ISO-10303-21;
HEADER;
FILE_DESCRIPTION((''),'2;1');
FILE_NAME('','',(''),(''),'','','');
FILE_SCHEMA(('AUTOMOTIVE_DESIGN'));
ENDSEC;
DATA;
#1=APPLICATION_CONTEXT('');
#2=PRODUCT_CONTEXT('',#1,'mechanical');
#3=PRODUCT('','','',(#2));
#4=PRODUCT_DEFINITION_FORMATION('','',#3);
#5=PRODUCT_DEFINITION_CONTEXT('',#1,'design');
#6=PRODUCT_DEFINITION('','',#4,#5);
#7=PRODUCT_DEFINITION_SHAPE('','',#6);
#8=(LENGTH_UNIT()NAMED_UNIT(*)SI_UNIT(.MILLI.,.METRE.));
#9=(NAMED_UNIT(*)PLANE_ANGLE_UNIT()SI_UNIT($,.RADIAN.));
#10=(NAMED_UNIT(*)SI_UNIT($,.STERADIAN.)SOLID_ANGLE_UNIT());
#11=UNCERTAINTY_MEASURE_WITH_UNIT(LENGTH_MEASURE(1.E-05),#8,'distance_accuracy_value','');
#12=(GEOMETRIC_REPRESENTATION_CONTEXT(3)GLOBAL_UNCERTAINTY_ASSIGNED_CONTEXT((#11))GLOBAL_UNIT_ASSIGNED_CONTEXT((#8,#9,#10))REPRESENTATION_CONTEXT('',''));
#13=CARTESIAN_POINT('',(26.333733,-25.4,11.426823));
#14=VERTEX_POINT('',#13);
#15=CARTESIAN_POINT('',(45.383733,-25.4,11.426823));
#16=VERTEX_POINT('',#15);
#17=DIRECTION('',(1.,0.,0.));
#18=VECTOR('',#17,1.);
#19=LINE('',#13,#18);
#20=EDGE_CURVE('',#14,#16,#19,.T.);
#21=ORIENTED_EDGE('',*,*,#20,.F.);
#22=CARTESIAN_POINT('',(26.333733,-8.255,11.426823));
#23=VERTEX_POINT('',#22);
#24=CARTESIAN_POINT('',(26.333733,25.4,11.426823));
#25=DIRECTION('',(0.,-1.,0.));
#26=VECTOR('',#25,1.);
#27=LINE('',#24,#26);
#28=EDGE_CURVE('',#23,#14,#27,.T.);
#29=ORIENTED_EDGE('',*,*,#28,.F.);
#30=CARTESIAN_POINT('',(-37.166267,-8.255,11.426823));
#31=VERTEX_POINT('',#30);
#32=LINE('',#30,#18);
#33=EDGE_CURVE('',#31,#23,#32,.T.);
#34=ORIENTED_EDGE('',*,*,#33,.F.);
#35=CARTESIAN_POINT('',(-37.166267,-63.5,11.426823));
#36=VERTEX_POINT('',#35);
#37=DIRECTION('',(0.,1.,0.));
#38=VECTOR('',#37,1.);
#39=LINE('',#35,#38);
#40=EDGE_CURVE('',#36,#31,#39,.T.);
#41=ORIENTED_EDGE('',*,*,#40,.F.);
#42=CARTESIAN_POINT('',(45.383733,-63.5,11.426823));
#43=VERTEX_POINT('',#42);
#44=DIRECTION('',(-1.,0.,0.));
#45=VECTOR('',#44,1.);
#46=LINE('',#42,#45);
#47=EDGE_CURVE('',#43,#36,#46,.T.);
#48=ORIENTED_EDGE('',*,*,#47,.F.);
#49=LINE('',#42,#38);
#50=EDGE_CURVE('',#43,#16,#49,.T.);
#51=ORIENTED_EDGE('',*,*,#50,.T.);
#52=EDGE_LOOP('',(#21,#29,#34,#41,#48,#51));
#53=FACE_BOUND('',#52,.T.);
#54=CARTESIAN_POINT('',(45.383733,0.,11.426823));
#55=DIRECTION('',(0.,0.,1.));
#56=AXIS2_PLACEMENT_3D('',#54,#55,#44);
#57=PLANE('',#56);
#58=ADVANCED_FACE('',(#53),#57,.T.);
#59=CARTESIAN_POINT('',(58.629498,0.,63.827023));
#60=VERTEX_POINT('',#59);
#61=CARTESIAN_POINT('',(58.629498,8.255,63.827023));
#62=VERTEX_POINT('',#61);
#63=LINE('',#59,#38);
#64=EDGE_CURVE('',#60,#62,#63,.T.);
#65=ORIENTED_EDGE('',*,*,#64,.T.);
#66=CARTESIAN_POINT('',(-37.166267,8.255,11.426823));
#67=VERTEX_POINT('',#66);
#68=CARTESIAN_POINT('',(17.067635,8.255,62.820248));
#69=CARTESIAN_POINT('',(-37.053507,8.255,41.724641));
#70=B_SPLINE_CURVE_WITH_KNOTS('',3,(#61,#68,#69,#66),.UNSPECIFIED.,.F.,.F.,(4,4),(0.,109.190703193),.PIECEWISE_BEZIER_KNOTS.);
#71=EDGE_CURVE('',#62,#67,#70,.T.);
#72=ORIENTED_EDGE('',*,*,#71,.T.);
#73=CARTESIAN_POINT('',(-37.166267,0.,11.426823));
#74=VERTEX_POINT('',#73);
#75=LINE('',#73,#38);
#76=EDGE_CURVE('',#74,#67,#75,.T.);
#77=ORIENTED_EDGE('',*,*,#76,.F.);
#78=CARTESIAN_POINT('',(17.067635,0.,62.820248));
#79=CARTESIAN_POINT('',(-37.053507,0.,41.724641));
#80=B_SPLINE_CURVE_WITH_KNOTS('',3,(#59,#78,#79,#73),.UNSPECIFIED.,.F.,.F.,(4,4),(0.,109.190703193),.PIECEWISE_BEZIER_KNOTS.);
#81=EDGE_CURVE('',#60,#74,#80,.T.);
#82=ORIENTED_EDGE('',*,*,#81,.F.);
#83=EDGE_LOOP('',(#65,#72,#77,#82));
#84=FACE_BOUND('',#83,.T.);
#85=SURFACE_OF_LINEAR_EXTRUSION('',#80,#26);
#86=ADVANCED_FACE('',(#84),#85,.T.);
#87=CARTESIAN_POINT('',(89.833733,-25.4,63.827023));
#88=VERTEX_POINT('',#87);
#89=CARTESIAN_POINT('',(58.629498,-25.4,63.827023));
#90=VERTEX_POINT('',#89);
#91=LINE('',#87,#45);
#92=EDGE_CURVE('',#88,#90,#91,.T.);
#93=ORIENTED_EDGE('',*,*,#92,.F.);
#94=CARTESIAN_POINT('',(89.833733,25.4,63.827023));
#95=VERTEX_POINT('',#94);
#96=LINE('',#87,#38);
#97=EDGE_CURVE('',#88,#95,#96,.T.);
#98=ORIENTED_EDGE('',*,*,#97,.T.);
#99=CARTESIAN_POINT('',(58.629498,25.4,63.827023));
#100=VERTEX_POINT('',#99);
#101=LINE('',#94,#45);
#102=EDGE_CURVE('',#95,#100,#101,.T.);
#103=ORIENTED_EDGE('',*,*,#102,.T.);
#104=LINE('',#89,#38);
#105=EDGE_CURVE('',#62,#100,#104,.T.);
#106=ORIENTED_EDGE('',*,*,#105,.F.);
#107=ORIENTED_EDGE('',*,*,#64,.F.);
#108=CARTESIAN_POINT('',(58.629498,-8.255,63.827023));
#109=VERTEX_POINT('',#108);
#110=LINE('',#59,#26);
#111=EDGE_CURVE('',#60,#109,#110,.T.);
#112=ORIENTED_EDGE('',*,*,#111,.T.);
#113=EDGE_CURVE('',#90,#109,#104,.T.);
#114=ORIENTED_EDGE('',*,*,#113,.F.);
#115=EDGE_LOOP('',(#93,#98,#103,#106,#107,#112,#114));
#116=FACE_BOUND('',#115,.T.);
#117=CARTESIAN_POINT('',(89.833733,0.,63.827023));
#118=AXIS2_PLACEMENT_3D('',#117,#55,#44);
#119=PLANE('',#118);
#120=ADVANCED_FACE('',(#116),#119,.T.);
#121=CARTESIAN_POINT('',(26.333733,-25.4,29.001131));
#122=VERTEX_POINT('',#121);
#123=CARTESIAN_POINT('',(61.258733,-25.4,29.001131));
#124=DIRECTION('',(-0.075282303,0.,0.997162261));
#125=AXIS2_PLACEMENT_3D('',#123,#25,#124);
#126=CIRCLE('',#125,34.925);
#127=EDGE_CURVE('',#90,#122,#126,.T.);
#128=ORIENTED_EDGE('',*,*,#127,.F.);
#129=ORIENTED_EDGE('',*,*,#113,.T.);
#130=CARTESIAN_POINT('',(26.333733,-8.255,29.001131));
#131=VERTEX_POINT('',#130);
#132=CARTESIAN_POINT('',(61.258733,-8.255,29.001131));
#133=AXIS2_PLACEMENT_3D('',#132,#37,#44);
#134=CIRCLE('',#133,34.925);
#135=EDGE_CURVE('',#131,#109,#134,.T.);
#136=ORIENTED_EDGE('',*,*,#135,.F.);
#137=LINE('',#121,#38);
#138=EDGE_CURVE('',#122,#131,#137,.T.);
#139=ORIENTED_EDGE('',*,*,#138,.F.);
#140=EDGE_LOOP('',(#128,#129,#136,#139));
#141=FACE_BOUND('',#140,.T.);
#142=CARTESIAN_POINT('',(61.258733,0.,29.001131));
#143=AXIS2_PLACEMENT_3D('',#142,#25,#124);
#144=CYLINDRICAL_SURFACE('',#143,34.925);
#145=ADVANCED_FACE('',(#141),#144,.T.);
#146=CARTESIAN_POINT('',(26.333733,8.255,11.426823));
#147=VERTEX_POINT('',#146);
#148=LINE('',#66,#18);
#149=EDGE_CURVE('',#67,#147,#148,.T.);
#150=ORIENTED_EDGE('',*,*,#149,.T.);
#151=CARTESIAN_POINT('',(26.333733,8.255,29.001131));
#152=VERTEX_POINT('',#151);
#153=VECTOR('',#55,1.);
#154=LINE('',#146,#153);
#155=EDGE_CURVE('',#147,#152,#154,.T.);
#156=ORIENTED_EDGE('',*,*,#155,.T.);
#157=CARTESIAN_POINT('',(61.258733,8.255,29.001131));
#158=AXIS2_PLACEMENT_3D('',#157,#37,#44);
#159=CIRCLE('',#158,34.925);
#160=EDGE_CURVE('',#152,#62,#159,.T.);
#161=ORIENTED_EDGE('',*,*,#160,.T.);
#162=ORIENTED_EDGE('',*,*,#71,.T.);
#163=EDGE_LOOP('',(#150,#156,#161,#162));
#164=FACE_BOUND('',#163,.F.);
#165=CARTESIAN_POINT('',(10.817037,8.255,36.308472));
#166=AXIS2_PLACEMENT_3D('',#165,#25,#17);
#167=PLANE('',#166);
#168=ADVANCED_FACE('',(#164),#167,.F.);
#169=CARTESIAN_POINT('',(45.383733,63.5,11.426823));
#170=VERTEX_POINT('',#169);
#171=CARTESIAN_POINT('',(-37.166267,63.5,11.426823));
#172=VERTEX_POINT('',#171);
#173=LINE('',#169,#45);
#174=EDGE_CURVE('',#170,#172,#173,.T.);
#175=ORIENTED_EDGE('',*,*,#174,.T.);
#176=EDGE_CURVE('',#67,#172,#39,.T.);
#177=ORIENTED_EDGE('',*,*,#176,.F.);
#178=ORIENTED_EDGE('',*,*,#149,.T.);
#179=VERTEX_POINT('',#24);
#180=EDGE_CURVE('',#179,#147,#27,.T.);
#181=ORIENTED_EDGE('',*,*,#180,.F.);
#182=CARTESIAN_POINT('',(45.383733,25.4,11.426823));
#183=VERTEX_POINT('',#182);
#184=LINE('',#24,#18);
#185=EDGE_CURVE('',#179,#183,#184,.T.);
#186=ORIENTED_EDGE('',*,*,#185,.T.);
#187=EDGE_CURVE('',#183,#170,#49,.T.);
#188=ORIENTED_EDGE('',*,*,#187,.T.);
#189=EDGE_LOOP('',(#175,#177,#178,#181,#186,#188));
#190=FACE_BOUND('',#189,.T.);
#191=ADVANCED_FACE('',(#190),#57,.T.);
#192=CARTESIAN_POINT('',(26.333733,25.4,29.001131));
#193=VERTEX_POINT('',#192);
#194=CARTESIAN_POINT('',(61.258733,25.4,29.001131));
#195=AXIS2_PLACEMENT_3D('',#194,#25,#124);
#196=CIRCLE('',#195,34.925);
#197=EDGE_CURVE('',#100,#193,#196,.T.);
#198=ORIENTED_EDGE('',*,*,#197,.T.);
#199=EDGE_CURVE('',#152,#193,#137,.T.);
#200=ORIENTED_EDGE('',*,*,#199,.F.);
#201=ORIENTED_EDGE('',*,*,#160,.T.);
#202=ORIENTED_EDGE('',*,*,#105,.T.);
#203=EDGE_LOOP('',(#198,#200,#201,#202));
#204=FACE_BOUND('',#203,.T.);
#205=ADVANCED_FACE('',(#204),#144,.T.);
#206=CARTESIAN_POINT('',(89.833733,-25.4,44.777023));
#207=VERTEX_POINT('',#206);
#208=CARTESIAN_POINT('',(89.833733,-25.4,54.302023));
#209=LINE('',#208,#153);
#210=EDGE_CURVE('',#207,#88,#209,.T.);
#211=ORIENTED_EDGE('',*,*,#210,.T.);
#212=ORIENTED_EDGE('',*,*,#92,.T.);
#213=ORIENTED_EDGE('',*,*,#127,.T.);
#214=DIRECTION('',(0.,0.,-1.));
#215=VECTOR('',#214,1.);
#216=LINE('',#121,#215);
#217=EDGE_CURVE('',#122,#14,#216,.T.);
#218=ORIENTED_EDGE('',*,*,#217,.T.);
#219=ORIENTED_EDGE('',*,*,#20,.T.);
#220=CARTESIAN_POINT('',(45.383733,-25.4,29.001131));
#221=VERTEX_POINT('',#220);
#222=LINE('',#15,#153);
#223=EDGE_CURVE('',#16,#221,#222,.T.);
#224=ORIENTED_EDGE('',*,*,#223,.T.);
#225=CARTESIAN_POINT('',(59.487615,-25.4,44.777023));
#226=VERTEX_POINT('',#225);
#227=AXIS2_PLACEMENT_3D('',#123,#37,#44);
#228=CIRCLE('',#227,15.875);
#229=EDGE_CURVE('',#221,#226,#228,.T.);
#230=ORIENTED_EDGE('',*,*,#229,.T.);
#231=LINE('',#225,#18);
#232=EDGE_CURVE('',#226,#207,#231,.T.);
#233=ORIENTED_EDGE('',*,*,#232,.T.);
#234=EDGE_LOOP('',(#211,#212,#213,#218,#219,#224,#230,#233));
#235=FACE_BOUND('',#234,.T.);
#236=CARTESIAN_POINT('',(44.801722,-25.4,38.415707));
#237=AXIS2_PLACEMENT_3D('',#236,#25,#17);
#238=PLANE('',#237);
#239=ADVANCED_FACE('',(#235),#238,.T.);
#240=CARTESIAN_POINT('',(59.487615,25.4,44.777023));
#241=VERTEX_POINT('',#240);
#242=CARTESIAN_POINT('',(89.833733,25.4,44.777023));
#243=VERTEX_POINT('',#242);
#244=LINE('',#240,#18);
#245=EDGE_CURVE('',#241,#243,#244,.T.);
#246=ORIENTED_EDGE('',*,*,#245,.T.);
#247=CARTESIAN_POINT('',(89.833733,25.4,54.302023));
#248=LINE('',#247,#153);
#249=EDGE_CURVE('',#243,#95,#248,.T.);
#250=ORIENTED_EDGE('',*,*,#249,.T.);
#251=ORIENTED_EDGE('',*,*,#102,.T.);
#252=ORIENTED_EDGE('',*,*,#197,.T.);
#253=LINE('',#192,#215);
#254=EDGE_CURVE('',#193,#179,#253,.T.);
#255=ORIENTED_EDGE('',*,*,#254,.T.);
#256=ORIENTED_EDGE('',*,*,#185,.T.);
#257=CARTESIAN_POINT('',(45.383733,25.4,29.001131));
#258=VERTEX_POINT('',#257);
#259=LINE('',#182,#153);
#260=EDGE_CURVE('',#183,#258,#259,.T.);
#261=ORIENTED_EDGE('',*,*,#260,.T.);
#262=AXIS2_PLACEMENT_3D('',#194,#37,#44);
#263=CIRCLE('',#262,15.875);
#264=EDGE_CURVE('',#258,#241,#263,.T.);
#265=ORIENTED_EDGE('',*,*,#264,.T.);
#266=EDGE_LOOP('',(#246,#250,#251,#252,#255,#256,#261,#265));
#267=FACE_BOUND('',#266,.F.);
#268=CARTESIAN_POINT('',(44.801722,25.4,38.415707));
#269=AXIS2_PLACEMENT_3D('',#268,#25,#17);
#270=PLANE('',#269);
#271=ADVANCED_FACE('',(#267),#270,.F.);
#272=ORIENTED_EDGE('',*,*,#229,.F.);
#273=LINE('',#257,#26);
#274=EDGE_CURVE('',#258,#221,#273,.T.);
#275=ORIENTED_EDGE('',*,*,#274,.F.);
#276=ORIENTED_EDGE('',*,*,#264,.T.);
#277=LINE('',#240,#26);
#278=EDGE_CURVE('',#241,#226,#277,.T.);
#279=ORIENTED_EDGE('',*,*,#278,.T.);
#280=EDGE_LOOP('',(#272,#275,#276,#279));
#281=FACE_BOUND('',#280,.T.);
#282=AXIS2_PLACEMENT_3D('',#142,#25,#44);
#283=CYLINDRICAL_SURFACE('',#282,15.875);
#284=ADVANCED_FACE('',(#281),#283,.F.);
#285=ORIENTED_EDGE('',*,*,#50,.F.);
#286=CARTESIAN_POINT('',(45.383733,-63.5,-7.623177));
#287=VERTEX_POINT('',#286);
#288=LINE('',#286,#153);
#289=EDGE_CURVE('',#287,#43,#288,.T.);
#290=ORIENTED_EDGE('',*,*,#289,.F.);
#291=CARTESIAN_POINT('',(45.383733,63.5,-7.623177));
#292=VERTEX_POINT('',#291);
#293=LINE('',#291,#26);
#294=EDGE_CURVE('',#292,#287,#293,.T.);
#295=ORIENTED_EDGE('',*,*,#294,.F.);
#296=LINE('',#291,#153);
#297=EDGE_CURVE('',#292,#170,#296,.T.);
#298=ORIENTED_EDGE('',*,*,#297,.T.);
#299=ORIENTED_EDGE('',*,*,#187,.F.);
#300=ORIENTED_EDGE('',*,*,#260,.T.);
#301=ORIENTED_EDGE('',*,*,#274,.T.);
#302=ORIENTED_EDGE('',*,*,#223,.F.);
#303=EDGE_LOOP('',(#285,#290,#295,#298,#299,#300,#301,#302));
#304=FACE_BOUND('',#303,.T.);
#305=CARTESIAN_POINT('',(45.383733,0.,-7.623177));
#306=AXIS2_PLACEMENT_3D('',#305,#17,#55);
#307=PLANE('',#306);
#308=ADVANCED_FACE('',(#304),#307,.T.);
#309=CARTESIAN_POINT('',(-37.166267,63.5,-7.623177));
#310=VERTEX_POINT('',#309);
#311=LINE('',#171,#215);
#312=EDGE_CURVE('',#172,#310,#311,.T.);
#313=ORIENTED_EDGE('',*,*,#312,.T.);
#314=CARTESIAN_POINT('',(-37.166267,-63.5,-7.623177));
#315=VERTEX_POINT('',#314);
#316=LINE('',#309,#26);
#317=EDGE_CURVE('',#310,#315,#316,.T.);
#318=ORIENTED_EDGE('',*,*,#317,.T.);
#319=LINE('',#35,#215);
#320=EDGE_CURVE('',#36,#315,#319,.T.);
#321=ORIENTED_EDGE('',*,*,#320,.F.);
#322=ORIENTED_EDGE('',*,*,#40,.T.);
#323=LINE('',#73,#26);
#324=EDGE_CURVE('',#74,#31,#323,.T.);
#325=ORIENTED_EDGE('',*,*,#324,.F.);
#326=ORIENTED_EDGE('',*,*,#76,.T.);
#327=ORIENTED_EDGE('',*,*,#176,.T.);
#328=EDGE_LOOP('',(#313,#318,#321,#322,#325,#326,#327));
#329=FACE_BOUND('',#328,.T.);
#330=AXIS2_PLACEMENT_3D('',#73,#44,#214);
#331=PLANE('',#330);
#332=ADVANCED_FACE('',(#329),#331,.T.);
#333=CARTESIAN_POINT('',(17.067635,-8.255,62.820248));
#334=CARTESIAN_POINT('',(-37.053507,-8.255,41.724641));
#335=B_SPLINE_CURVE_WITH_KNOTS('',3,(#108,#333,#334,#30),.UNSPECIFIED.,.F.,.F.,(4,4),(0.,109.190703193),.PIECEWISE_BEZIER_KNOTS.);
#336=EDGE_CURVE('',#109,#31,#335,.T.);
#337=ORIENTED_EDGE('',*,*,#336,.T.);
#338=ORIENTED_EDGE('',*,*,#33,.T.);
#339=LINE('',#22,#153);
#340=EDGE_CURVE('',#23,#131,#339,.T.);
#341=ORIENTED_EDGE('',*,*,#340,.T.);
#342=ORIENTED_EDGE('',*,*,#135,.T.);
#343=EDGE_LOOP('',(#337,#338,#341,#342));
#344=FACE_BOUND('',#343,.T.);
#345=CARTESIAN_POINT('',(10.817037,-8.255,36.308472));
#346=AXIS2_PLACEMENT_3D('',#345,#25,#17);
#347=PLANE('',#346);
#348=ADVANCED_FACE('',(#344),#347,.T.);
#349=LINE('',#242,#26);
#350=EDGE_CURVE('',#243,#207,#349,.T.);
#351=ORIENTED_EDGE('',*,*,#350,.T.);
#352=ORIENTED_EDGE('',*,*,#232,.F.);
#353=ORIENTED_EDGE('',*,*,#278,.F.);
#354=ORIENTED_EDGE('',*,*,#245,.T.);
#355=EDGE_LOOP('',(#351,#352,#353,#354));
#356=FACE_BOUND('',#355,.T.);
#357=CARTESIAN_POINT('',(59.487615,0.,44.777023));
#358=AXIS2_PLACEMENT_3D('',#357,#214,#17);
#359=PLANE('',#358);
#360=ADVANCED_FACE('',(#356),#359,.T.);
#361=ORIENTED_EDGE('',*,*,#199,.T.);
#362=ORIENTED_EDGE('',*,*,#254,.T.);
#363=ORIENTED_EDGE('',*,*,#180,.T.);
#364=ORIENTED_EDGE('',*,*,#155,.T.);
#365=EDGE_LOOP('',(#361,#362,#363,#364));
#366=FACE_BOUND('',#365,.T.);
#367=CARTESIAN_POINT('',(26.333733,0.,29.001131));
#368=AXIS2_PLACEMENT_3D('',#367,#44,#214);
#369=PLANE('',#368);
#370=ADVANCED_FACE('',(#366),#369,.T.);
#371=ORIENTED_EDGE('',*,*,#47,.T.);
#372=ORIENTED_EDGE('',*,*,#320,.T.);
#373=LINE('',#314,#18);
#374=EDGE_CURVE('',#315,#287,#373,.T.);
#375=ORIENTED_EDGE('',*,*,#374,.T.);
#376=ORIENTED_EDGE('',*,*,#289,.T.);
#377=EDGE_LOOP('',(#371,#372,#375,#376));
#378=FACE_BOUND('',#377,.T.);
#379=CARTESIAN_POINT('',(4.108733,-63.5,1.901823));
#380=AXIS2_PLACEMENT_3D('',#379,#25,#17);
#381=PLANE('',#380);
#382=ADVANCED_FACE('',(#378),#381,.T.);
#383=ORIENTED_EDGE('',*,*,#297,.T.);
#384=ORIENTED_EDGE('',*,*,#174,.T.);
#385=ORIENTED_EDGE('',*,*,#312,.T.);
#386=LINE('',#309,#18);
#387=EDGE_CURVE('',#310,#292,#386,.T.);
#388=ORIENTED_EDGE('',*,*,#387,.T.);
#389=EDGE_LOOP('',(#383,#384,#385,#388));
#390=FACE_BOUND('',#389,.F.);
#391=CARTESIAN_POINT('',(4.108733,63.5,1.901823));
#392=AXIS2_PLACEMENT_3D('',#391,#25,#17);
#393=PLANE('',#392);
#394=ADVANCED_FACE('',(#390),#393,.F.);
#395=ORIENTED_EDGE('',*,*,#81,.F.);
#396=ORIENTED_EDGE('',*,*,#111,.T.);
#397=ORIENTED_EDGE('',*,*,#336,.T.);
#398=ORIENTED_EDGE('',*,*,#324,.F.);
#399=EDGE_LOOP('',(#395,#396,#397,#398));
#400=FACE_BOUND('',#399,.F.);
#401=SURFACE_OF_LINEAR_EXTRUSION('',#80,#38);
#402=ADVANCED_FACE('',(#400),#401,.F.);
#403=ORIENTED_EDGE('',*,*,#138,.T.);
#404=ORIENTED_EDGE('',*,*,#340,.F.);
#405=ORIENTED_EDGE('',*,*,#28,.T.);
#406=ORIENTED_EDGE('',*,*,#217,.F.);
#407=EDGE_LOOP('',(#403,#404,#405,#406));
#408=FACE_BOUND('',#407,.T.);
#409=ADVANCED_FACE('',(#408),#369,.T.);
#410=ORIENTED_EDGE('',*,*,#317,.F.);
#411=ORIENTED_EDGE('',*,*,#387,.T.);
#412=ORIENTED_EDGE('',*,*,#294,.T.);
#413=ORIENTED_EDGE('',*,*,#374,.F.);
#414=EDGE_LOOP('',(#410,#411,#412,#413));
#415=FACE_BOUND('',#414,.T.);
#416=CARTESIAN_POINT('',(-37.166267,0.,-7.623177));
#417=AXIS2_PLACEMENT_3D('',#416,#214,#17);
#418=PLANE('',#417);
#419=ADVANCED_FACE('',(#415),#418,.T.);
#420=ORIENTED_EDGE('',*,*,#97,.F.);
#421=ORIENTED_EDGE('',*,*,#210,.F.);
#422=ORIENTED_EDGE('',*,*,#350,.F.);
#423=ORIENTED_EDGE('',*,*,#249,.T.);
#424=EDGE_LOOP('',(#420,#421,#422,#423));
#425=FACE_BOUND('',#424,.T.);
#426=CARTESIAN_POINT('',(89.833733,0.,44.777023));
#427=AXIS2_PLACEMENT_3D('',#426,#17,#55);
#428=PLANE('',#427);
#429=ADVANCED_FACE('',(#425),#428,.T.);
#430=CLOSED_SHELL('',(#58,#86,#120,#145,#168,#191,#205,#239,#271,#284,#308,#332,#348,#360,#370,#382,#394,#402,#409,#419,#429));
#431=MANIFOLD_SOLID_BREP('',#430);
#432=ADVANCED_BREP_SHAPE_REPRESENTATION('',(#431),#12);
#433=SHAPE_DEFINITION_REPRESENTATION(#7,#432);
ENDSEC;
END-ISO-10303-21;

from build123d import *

# Parameters (mm, degrees)
F1_DEPTH = 63.5
F2_DEPTH = 8.255
F0_W     = 23.3708900283
F0_H     = 19.05
F3_DEPTH = 25.4


with BuildPart() as f1:
    # F0 (on Front) → F1 (new body, symmetric)
    with BuildSketch(Plane.XZ):
        Polygon((26.3337325305, 11.4268229101), (-37.1662674695, 11.4268229101), (-37.1662674695, -7.6231770899), (45.3837325305, -7.6231770899), (45.3837325305, 11.4268229101), align=None)
    extrude(amount=F1_DEPTH, both=True)

    # F0 (on Front) → F2 (join, symmetric)
    with BuildSketch(Plane.XZ):
        with BuildLine():
            add(Edge.make_bspline(
                [(58.6294981139, 63.8270229101), (17.0676354319, 62.8202483058), (-37.0535068214, 41.7246408761), (-37.1662674695, 11.4268229101)],
                knots=[0, 0, 0, 0, 109.1907031929, 109.1907031929, 109.1907031929, 109.1907031929], degree=3))
            Line((-37.1662674695, 11.4268229101), (26.3337325305, 11.4268229101))
            Line((26.3337325305, 11.4268229101), (26.3337325305, 29.0011309419))
            ThreePointArc((26.3337325305, 29.0011309419), (35.6503194891, 52.7490741476), (58.6294981139, 63.8270229101))
        make_face()
    extrude(amount=F2_DEPTH, both=True)

    # F0 (on Front) → F3 (join, symmetric)
    with BuildSketch(Plane.XZ):
        with BuildLine():
            Line((26.3337325305, 29.0011309419), (26.3337325305, 11.4268229101))
            Line((26.3337325305, 11.4268229101), (45.3837325305, 11.4268229101))
            Line((45.3837325305, 11.4268229101), (45.3837325305, 29.0011309419))
            ThreePointArc((45.3837325305, 29.0011309419), (49.4237818094, 39.5817531556), (59.4876149153, 44.7770229101))
            Line((59.4876149153, 44.7770229101), (66.4628425021, 44.7770229101))
            Line((66.4628425021, 44.7770229101), (66.4628425021, 63.8270229101))
            Line((66.4628425021, 63.8270229101), (58.6294981139, 63.8270229101))
            ThreePointArc((58.6294981139, 63.8270229101), (35.6503194891, 52.7490741476), (26.3337325305, 29.0011309419))
        make_face()
        with Locations((78.1482875163, 54.3020229101)):
            Rectangle(F0_W, F0_H)
    extrude(amount=F3_DEPTH, both=True)


solid = f1.part
